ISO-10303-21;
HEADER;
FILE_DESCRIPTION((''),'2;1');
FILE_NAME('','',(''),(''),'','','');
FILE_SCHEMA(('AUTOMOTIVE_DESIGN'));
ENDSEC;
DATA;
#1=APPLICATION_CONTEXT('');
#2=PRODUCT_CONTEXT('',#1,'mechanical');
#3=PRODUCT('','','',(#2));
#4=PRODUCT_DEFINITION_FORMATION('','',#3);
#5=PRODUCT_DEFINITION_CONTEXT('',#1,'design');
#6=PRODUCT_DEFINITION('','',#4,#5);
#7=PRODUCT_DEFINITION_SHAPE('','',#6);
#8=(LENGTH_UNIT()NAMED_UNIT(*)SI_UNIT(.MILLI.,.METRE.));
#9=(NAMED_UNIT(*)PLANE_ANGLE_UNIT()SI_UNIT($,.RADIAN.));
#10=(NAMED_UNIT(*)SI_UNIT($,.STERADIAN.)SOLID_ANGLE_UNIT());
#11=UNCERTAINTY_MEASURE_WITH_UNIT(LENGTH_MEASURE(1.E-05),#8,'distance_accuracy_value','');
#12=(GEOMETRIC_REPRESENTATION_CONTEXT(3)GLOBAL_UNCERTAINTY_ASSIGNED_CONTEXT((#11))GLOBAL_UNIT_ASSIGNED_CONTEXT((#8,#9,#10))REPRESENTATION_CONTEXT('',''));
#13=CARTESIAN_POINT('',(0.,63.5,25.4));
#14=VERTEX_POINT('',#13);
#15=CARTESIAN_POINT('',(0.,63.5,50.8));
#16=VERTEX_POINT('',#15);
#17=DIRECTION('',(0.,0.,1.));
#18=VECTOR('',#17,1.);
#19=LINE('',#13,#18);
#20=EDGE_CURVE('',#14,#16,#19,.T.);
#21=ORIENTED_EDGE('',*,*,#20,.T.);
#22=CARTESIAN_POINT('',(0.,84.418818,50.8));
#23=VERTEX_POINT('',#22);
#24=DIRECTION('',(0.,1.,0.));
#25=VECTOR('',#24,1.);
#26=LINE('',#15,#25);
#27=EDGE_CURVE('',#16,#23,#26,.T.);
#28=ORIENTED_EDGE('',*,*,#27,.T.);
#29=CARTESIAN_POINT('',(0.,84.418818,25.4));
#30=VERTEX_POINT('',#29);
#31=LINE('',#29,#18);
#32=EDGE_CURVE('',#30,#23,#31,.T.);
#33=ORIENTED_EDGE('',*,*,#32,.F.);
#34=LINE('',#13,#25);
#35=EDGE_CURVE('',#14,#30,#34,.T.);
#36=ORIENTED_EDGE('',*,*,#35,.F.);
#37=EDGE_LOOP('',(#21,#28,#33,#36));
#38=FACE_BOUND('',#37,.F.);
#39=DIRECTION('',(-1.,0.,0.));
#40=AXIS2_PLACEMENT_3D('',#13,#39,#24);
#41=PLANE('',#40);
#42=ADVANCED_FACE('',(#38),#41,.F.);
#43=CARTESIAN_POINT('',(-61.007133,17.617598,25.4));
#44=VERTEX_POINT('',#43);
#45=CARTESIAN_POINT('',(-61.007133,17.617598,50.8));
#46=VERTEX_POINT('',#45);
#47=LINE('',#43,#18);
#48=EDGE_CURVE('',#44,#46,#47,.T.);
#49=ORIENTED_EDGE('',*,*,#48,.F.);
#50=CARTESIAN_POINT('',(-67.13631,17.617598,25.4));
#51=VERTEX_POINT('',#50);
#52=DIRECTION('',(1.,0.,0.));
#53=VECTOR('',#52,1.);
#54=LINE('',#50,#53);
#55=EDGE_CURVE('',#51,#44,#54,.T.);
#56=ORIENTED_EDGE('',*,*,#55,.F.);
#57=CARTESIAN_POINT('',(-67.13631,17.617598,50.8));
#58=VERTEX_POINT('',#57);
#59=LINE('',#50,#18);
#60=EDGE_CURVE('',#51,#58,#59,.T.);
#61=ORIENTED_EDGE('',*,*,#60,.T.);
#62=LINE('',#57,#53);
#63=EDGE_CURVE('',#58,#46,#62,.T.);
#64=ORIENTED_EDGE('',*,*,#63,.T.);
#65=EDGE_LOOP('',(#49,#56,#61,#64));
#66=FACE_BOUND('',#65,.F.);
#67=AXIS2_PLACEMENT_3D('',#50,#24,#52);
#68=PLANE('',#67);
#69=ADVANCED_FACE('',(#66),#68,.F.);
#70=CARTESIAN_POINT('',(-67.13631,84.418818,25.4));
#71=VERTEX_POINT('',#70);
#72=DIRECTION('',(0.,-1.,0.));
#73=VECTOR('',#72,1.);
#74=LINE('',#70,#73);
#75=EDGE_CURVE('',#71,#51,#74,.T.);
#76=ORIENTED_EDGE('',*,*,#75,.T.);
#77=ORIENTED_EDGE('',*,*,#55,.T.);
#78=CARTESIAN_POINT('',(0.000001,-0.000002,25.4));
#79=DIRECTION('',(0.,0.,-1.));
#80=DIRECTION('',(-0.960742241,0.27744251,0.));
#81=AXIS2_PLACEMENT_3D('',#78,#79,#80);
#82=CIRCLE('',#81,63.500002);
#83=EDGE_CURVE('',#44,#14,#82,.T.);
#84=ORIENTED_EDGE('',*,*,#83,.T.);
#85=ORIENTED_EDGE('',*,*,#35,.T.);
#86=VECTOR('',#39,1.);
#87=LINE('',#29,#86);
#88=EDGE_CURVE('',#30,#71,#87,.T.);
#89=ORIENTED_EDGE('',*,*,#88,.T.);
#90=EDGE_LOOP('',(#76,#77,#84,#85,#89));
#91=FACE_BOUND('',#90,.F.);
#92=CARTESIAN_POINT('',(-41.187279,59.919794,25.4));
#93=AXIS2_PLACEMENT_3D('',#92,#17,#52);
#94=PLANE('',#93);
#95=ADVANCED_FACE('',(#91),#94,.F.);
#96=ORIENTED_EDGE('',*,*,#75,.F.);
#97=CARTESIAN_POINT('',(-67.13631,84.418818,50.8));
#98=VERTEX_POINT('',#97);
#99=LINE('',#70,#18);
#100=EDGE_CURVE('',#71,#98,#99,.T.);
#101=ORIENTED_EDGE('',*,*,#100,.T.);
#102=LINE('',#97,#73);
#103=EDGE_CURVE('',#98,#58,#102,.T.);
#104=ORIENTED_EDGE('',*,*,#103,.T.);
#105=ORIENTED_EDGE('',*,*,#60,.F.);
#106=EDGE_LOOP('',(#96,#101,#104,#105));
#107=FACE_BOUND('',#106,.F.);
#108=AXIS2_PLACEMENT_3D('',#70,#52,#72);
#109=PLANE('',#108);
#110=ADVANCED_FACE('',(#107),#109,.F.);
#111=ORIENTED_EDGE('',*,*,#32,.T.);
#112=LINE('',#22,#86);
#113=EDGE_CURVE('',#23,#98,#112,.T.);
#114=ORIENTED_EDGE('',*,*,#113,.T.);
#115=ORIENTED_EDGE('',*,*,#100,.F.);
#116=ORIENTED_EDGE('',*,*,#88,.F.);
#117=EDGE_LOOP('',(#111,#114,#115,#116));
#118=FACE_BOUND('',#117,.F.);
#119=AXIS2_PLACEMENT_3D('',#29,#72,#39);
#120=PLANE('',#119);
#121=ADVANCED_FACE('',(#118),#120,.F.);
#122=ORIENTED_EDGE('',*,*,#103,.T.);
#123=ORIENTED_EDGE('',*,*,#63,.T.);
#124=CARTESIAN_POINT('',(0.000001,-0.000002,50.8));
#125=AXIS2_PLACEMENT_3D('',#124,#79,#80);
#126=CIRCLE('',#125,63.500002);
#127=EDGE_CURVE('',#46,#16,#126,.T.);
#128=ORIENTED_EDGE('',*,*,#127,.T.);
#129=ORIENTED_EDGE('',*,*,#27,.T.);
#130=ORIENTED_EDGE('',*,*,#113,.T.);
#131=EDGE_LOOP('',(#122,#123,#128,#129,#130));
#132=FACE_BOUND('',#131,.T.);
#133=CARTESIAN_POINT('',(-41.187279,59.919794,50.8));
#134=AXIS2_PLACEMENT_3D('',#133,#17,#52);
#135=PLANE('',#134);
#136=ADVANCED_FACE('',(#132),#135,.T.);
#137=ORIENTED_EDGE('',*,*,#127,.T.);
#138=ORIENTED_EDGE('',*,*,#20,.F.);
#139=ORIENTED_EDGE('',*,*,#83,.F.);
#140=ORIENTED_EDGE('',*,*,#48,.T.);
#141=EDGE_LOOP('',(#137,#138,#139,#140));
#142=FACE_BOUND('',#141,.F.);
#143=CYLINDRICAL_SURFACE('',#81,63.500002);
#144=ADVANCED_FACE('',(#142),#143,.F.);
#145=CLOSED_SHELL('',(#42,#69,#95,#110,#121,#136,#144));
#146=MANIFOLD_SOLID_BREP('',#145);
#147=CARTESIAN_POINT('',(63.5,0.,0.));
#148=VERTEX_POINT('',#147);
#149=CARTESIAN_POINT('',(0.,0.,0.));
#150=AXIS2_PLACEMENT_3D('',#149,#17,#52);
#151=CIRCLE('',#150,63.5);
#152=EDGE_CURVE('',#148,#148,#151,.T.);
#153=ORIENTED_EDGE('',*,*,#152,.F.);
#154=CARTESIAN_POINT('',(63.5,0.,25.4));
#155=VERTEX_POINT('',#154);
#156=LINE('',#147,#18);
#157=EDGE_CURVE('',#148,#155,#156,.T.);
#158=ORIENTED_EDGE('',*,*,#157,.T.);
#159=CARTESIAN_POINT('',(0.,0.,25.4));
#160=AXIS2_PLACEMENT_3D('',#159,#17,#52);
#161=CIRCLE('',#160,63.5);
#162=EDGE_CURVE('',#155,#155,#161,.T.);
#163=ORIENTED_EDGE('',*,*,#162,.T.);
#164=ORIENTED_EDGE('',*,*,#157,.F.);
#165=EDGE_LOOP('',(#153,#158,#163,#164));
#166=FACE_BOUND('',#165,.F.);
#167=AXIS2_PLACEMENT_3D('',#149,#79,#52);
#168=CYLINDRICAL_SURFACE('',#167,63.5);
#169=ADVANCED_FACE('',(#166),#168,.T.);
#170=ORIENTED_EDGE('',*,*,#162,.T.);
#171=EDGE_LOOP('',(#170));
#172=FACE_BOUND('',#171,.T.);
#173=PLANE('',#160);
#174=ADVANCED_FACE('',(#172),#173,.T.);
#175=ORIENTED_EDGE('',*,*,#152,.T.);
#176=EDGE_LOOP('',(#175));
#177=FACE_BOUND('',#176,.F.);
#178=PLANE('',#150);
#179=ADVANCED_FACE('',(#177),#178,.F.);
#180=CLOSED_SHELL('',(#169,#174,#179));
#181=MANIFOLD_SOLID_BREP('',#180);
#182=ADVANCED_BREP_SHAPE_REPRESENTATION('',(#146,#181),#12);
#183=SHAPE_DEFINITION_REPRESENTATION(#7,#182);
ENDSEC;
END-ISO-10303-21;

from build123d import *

# Parameters (mm, degrees)
F0_R     = 63.5
F1_DEPTH = 25.4
F3_DEPTH = 25.4


with BuildPart() as f1:
    # F0 (on Top) → F1 (new body)
    with BuildSketch(Plane.XY):
        Circle(F0_R)
    extrude(amount=F1_DEPTH)


with BuildPart() as f3:
    # F2 (on face) → F3 (new body)
    with BuildSketch(Plane.XY.offset(25.4)):
        with BuildLine():
            Line((0, 84.418818), (-67.13631, 84.418818))
            Line((-67.13631, 84.418818), (-67.13631, 17.617598))
            Line((-67.13631, 17.617598), (-61.007133, 17.617598))
            ThreePointArc((-61.007133, 17.617598), (-38.167607, 50.749224), (0, 63.5))
            Line((0, 63.5), (0, 84.418818))
        make_face()
    extrude(amount=F3_DEPTH)


solid = Compound([f1.part, f3.part])
